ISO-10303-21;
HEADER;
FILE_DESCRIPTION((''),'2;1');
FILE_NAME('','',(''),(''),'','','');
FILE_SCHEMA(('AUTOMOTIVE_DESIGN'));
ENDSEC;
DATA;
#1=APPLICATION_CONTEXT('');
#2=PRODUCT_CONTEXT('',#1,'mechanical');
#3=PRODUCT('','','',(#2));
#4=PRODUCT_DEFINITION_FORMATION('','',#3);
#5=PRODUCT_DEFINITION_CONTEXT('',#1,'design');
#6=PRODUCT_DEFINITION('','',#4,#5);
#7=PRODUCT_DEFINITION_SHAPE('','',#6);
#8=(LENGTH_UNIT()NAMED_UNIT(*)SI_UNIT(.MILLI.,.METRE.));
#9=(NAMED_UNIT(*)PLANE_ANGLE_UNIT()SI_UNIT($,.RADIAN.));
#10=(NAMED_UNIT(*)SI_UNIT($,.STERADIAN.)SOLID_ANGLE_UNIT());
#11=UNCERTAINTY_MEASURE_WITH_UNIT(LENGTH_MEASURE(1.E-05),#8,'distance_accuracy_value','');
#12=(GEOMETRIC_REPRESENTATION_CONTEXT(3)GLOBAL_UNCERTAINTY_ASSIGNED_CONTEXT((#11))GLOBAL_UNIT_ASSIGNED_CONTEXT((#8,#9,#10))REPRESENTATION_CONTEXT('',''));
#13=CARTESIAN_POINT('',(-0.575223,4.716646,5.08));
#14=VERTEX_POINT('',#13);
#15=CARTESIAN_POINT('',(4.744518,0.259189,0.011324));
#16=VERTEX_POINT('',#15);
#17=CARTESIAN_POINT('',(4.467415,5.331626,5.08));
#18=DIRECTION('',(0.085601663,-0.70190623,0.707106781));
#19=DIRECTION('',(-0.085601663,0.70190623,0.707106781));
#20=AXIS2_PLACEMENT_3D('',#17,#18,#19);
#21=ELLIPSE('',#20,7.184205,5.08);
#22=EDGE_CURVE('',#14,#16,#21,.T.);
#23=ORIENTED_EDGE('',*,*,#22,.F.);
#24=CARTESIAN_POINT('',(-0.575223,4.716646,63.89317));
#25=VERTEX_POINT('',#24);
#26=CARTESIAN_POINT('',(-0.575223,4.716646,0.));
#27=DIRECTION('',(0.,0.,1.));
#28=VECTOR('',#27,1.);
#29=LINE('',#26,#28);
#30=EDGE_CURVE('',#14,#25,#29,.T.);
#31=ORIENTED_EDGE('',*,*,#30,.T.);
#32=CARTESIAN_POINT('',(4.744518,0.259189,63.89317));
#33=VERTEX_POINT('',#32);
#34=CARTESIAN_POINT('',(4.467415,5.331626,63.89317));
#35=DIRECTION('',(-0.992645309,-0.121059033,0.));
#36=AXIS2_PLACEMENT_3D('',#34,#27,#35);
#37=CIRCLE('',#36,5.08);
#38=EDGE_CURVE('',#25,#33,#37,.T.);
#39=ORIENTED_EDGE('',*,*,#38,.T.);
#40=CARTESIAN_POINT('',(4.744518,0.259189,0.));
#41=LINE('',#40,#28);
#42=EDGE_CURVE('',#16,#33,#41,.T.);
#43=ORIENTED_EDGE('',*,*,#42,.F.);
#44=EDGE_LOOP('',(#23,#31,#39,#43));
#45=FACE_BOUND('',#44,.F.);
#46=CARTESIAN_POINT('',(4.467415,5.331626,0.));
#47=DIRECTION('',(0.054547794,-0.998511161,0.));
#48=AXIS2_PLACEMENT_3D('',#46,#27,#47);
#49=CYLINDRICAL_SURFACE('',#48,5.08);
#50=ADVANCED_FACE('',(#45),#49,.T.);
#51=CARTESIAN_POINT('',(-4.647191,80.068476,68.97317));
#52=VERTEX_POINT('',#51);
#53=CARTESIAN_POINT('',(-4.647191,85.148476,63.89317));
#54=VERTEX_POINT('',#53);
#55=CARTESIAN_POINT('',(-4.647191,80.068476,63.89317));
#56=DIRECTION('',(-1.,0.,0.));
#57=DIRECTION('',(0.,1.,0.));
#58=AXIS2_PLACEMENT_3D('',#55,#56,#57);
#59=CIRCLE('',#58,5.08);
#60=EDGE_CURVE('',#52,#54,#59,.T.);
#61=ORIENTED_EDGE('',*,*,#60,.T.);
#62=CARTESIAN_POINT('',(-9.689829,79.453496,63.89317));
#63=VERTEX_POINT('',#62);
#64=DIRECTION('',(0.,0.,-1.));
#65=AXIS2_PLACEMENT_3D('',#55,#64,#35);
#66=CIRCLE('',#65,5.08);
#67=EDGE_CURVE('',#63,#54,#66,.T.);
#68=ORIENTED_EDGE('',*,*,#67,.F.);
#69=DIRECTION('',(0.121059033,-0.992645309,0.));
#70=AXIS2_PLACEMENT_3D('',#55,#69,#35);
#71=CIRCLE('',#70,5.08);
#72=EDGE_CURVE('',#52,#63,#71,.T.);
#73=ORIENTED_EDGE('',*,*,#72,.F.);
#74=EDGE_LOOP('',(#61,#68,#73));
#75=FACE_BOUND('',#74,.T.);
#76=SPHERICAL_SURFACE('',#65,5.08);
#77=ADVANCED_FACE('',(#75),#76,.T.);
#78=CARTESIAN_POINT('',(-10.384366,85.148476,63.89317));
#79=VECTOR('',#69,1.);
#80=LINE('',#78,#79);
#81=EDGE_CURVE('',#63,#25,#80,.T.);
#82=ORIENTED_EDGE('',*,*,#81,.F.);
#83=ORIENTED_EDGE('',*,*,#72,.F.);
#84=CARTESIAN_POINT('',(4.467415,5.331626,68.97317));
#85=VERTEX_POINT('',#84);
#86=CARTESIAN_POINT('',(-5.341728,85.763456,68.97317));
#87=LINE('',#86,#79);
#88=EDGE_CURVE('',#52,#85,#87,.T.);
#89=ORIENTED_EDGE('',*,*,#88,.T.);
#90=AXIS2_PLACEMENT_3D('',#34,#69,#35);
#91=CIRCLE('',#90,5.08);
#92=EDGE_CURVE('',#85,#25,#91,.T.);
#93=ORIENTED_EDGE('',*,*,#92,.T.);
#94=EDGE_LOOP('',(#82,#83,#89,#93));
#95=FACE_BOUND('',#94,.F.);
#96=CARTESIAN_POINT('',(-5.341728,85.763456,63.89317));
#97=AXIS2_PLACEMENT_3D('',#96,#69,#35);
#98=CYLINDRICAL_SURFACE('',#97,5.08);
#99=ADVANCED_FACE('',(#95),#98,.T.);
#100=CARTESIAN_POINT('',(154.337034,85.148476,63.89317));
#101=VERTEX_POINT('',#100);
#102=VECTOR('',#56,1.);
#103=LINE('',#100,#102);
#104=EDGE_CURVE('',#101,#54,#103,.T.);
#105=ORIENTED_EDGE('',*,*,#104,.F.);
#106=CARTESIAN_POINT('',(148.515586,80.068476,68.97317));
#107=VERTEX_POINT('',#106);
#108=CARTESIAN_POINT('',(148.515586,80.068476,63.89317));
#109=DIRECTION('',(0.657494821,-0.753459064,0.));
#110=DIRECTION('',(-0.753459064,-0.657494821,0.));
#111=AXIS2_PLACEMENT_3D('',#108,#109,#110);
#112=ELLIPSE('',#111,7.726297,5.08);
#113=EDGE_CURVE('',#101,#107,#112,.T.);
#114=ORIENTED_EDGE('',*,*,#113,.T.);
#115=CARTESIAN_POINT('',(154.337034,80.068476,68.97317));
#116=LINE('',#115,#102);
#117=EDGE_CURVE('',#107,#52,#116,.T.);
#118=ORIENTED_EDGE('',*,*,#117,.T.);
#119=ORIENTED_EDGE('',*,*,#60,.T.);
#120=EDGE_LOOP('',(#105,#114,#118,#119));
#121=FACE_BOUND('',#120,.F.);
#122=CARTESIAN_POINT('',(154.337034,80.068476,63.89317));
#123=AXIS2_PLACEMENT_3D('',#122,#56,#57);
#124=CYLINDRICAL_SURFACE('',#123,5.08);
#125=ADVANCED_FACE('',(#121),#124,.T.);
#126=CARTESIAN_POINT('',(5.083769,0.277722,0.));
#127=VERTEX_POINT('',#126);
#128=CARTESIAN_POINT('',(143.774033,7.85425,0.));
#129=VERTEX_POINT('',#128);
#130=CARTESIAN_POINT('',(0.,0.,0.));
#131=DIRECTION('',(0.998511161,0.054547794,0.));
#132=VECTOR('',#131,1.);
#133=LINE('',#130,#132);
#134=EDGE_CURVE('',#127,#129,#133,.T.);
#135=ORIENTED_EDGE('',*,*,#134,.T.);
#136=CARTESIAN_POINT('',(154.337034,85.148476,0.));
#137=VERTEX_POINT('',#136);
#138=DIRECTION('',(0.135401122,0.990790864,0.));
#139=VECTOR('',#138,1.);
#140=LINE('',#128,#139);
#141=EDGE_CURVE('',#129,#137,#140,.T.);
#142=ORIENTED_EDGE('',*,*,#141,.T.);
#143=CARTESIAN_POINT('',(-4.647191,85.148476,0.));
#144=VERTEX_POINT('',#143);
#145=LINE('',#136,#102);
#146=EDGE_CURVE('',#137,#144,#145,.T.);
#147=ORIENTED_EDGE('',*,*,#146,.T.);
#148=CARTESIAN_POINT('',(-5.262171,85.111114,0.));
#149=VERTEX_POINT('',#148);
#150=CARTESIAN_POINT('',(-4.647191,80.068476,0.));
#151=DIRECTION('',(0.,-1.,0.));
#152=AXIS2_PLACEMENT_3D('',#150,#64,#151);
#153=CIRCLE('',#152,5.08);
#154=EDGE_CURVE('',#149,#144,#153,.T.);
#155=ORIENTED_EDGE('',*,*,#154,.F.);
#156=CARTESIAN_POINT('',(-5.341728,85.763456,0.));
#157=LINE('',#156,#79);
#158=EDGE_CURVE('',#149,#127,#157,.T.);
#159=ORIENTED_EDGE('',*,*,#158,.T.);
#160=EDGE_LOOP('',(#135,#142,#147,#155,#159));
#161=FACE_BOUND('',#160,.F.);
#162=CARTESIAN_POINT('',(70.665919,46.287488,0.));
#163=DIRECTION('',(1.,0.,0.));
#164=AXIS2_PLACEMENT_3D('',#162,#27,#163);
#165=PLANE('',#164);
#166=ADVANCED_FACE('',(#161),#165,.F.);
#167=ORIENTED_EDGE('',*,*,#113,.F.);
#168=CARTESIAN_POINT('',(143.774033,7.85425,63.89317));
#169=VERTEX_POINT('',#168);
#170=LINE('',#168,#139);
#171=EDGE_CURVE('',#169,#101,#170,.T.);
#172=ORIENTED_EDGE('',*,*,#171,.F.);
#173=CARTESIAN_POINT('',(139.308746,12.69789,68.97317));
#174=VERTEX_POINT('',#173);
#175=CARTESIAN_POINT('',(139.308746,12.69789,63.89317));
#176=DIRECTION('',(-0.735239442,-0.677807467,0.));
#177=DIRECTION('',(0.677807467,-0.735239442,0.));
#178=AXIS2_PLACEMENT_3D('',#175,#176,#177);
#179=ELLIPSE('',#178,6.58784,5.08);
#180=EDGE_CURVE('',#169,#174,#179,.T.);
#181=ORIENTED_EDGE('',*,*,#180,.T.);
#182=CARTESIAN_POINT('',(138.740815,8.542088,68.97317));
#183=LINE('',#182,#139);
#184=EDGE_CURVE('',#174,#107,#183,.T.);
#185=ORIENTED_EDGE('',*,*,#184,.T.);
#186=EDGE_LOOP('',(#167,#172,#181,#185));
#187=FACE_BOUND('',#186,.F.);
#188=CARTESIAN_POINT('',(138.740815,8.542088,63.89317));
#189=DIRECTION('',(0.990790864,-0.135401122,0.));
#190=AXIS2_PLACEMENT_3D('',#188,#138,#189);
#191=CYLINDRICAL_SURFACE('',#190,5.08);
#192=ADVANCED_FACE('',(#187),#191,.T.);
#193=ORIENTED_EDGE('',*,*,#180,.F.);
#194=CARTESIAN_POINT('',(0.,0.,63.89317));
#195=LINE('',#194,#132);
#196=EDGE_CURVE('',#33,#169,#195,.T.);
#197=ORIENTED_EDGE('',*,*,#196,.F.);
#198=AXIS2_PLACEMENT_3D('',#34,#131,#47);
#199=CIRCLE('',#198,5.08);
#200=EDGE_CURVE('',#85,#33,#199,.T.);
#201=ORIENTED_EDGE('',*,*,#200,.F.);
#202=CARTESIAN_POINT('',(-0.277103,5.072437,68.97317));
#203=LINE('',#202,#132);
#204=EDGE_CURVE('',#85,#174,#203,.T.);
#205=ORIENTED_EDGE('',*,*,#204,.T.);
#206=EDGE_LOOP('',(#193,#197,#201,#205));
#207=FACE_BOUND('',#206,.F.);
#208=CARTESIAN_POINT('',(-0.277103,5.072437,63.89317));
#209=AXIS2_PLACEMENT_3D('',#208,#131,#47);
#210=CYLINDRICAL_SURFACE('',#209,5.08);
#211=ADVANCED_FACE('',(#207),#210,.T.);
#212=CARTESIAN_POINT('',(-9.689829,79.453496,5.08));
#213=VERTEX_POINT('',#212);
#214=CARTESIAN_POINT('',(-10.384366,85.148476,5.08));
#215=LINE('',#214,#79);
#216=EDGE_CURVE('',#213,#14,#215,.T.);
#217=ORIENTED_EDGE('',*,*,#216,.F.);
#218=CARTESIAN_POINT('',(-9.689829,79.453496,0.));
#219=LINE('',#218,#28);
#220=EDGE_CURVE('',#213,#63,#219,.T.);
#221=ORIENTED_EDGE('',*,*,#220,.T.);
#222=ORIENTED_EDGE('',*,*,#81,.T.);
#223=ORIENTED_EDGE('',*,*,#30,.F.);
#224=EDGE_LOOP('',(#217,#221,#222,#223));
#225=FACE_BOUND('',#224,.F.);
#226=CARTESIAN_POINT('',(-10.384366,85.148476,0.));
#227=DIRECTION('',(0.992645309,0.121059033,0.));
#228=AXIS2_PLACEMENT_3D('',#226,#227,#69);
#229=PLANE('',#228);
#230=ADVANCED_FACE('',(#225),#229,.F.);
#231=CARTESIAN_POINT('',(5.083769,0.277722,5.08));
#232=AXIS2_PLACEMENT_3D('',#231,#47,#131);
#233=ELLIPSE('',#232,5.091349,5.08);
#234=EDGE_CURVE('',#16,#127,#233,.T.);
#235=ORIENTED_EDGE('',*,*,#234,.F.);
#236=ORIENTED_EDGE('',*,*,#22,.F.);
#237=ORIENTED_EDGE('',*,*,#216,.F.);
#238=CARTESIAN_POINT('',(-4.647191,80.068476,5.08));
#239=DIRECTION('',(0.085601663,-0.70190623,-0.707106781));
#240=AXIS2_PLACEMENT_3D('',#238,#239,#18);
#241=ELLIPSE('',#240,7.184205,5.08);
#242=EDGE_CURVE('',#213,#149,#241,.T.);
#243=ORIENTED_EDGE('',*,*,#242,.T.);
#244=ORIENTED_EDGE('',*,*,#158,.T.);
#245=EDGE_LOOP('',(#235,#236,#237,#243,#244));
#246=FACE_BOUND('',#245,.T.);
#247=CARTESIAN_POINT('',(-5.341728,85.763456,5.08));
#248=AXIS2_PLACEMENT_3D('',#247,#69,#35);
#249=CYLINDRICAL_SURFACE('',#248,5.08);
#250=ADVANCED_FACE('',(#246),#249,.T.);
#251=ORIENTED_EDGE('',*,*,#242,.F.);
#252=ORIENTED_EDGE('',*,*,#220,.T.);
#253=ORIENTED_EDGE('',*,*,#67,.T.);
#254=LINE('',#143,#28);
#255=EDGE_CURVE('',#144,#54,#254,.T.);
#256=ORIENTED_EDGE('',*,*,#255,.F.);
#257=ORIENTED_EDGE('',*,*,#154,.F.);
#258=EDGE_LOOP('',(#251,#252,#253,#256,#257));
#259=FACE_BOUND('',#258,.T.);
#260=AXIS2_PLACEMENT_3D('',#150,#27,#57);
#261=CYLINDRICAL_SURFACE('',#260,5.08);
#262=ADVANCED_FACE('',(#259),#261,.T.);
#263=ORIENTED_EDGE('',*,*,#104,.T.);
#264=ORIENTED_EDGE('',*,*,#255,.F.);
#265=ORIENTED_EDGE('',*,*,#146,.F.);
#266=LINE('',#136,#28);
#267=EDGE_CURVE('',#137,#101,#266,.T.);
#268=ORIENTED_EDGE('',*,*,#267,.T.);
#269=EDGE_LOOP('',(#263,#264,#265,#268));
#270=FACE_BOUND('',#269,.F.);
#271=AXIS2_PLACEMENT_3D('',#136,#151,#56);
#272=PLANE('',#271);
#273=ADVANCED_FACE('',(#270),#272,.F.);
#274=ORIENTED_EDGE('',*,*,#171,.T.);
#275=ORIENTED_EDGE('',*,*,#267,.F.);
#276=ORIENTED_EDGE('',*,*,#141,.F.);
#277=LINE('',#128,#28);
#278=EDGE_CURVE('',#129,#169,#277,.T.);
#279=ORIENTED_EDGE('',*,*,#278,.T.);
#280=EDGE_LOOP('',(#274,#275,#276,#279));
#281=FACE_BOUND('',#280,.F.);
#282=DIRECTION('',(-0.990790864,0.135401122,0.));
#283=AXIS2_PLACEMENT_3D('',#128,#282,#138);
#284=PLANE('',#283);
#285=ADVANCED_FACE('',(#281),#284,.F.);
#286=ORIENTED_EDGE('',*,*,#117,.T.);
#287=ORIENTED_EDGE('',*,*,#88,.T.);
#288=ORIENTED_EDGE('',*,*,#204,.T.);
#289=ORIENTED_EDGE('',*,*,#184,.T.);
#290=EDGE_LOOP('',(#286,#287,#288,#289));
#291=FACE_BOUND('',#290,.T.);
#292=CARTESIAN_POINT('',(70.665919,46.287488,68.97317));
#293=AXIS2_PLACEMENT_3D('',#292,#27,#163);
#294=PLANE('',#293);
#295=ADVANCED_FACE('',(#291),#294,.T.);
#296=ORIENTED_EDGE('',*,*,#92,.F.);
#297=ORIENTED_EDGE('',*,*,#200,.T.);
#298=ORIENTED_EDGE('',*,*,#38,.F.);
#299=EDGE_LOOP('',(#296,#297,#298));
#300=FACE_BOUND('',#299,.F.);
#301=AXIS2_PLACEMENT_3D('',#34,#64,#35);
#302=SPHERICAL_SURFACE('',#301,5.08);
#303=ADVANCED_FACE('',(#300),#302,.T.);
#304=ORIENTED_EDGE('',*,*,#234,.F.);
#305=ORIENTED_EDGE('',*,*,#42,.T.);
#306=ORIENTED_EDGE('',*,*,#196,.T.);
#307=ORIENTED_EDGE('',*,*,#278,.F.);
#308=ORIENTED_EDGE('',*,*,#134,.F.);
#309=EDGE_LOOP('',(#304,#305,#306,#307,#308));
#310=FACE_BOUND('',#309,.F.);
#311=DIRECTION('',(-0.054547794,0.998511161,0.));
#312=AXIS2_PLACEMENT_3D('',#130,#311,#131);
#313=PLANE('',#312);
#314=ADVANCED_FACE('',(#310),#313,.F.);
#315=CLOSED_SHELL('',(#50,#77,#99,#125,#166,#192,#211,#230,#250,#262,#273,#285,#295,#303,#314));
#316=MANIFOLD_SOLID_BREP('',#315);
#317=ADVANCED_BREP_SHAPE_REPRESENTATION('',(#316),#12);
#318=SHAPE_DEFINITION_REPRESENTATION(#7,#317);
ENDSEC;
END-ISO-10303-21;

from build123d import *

# Parameters (mm, degrees)
F1_DEPTH = 68.97317
F2_R     = 5.08


with BuildPart() as f1:
    # F0 (on Top) → F1 (new body)
    with BuildSketch(Plane.XY):
        Polygon((0, 0), (143.774033, 7.85425), (154.337034, 85.148476), (-10.384366, 85.148476), align=None)
    extrude(amount=F1_DEPTH)

    # F2
    f2_edges = [f1.edges().sort_by_distance(p)[0] for p in [
        (-10.384366, 85.148476, 34.486585),
        (0, 0, 34.486585),
        (-5.192183, 42.574238, 0),
        (-5.192183, 42.574238, 68.97317),
        (71.976334, 85.148476, 68.97317),
        (71.887016, 3.927125, 68.97317),
        (149.055533, 46.501363, 68.97317),
    ]]
    fillet(f2_edges, radius=F2_R)


solid = f1.part
